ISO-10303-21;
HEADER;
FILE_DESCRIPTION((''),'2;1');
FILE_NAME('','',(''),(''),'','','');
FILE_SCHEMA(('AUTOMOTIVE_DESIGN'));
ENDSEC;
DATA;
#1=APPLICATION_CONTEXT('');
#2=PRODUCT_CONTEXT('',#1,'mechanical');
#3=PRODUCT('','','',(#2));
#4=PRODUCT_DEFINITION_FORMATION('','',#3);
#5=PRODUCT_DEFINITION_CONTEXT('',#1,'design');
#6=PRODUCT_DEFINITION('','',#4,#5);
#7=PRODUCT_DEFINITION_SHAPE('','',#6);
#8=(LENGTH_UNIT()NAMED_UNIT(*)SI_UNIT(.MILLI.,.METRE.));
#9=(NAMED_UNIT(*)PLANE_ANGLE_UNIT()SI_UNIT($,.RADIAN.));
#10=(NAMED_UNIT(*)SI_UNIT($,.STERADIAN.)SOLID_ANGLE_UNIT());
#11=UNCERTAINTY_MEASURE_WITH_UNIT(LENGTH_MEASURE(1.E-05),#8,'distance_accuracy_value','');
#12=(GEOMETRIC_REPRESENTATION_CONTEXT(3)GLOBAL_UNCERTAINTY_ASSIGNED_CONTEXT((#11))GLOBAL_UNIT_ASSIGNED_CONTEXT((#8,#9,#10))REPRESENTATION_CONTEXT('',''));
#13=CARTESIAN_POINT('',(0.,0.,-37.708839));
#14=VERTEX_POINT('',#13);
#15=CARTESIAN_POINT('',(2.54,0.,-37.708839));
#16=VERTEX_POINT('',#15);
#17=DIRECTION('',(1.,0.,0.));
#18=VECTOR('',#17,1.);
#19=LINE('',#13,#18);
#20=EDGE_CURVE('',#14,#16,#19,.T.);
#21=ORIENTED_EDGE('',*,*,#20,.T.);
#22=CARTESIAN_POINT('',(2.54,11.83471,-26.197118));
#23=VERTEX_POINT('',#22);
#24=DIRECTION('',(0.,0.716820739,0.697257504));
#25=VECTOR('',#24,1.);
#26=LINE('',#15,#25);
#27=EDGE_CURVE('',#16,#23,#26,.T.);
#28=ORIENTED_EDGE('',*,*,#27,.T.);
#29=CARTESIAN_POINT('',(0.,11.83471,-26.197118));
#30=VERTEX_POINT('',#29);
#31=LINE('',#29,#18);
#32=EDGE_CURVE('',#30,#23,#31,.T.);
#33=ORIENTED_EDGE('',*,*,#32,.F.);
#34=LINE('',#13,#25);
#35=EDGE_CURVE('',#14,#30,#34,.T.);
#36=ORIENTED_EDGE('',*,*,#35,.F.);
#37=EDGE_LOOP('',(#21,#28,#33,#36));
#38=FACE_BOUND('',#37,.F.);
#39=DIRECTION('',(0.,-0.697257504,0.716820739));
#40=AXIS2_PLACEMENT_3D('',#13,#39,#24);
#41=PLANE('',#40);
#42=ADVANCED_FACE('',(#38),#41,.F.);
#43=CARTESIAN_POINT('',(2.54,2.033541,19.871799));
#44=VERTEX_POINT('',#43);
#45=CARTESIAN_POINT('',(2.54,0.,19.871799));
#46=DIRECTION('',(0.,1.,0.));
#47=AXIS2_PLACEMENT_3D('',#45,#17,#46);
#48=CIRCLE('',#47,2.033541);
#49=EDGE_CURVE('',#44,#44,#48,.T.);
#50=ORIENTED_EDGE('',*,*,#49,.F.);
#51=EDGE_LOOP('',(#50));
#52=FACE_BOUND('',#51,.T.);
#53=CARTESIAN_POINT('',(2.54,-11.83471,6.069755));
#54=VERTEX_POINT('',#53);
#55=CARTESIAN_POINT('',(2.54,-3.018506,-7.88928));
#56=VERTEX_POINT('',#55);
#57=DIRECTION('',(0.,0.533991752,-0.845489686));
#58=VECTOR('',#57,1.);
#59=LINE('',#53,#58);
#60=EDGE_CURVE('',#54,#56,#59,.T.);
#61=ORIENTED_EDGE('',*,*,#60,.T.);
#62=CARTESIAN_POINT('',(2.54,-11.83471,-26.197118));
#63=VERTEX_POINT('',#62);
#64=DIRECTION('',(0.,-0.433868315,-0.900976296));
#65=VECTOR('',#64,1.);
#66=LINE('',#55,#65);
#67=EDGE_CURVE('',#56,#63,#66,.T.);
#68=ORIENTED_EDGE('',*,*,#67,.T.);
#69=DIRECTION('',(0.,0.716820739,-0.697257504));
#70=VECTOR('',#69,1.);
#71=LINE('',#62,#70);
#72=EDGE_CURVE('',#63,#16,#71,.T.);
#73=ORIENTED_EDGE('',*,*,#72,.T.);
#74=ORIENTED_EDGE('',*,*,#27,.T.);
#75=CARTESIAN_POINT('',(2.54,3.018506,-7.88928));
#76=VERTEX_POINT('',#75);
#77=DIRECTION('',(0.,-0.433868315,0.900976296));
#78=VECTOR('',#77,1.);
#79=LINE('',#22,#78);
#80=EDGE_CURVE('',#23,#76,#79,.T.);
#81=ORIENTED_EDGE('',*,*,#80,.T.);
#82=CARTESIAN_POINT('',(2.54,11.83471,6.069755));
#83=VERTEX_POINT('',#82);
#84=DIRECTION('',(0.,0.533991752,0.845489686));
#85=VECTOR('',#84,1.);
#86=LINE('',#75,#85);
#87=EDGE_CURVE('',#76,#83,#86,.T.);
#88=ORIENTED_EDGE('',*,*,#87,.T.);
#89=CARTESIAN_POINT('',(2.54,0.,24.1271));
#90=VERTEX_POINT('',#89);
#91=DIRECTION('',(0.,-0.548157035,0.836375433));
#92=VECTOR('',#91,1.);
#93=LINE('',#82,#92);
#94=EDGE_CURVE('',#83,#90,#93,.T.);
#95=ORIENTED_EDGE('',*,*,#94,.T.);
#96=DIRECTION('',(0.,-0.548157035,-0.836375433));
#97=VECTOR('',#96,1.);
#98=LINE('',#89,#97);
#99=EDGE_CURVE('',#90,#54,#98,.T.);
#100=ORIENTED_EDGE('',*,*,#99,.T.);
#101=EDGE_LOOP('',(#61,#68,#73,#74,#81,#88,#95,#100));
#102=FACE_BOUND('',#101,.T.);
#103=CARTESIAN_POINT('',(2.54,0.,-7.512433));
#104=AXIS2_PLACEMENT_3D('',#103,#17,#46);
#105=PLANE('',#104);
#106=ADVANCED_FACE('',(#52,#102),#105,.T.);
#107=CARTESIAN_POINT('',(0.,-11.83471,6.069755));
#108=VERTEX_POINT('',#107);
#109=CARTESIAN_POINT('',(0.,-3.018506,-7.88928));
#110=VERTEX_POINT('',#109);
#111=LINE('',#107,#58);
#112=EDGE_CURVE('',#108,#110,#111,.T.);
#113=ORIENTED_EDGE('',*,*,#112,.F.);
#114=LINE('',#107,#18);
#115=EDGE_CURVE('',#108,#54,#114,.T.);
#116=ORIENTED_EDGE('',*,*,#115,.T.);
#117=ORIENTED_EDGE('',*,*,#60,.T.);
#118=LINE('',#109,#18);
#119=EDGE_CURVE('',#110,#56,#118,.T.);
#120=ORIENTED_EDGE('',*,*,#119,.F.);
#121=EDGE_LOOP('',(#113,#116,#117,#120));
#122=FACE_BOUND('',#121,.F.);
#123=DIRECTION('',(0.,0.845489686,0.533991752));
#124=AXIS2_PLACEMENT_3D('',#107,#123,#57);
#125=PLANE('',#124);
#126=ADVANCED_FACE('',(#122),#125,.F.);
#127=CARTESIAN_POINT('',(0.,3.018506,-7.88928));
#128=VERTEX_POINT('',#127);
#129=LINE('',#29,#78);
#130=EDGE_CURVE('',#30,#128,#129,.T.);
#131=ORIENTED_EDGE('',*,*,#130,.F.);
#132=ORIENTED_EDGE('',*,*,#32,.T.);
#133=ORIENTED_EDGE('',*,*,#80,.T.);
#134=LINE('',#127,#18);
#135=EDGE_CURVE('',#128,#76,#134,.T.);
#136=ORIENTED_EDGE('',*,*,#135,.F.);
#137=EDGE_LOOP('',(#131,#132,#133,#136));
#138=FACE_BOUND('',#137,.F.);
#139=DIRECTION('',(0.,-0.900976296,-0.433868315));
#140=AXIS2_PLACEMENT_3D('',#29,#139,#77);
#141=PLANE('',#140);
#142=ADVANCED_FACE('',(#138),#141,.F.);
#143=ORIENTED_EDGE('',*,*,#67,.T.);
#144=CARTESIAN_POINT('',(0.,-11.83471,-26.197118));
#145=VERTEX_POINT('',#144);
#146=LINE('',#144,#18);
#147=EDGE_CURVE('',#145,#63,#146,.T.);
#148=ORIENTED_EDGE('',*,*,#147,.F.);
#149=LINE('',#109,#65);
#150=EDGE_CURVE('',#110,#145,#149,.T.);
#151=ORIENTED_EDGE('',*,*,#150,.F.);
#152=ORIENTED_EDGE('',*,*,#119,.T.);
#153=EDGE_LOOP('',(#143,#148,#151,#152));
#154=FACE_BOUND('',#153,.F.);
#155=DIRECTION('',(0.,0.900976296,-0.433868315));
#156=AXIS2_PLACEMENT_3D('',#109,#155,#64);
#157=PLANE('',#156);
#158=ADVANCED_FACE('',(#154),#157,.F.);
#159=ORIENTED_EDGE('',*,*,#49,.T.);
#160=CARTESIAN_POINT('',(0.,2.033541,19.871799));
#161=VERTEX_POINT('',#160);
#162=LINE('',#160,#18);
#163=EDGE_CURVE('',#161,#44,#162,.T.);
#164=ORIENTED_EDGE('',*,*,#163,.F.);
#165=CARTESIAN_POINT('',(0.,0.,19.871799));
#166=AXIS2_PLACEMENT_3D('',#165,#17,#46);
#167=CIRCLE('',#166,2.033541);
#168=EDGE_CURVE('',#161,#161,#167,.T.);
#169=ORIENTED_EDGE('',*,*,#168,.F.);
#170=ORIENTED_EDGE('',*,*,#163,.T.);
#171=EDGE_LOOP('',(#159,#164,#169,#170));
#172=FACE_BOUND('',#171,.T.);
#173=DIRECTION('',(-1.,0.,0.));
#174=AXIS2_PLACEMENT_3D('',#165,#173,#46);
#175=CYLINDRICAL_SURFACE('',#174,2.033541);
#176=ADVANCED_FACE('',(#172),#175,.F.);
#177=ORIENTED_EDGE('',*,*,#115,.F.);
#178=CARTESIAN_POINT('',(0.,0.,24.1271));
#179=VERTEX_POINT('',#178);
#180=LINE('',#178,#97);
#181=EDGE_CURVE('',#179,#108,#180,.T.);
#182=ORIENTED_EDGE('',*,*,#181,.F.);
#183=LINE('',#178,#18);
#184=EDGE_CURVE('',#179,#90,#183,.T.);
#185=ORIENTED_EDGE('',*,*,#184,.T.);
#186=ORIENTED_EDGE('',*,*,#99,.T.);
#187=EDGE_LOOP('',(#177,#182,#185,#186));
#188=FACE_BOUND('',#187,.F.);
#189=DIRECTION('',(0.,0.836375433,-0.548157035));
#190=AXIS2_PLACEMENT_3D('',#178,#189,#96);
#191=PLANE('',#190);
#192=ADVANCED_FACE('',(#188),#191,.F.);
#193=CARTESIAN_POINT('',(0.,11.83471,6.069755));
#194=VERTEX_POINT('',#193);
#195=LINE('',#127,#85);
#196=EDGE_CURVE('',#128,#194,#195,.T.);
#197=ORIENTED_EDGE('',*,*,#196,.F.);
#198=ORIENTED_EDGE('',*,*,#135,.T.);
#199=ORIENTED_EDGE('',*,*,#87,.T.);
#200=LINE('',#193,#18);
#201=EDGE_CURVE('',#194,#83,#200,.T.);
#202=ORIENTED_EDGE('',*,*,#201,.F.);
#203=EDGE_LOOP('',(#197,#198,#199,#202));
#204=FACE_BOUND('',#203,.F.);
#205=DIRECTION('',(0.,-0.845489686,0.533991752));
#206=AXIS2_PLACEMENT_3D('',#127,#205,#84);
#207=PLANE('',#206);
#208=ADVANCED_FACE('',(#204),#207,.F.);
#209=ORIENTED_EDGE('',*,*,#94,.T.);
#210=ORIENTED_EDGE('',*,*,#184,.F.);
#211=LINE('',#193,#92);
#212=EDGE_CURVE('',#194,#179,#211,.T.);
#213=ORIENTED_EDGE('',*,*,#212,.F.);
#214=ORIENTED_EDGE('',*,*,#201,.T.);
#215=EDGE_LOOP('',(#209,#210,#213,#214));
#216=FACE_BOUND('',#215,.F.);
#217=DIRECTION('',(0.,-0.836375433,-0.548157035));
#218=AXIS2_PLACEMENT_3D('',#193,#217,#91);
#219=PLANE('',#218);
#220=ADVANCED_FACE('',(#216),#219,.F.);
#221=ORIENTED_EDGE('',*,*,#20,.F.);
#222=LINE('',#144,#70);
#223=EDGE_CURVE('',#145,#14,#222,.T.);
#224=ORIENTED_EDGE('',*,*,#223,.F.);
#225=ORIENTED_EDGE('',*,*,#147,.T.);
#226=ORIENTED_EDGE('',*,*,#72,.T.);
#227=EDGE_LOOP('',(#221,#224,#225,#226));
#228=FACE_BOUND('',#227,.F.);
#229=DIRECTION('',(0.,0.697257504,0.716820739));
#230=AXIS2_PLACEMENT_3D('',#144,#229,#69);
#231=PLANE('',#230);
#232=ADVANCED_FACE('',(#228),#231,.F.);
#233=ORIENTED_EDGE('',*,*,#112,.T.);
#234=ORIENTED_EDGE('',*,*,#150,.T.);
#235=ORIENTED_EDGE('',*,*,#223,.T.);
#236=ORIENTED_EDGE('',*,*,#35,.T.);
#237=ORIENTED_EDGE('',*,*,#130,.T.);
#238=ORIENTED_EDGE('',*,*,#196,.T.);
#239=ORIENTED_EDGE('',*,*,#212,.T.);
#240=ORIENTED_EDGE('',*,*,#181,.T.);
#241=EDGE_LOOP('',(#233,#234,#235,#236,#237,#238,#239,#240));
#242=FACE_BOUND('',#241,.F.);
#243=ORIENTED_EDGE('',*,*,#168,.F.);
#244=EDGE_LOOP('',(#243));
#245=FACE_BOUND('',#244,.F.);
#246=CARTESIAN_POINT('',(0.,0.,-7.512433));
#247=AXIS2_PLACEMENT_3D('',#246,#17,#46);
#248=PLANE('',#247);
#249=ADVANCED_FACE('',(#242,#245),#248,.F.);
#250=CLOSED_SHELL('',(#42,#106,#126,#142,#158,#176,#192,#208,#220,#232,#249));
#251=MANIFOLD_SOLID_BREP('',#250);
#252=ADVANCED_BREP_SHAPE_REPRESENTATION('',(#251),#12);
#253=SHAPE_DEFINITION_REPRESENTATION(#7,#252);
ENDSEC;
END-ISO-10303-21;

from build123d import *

# Parameters (mm, degrees)
F0_R     = 2.033541
F1_DEPTH = 2.54


with BuildPart() as f1:
    # F0 (on Right) → F1 (new body)
    with BuildSketch(Plane.YZ):
        Polygon((11.83471, 6.069755), (0, 24.1271), (-11.83471, 6.069755), (-3.018506, -7.88928), (-11.83471, -26.197118), (0, -37.708839), (11.83471, -26.197118), (3.018506, -7.88928), align=None)
        with Locations((0, 19.871799)):
            Circle(F0_R, mode=Mode.SUBTRACT)
    extrude(amount=F1_DEPTH)


solid = f1.part
